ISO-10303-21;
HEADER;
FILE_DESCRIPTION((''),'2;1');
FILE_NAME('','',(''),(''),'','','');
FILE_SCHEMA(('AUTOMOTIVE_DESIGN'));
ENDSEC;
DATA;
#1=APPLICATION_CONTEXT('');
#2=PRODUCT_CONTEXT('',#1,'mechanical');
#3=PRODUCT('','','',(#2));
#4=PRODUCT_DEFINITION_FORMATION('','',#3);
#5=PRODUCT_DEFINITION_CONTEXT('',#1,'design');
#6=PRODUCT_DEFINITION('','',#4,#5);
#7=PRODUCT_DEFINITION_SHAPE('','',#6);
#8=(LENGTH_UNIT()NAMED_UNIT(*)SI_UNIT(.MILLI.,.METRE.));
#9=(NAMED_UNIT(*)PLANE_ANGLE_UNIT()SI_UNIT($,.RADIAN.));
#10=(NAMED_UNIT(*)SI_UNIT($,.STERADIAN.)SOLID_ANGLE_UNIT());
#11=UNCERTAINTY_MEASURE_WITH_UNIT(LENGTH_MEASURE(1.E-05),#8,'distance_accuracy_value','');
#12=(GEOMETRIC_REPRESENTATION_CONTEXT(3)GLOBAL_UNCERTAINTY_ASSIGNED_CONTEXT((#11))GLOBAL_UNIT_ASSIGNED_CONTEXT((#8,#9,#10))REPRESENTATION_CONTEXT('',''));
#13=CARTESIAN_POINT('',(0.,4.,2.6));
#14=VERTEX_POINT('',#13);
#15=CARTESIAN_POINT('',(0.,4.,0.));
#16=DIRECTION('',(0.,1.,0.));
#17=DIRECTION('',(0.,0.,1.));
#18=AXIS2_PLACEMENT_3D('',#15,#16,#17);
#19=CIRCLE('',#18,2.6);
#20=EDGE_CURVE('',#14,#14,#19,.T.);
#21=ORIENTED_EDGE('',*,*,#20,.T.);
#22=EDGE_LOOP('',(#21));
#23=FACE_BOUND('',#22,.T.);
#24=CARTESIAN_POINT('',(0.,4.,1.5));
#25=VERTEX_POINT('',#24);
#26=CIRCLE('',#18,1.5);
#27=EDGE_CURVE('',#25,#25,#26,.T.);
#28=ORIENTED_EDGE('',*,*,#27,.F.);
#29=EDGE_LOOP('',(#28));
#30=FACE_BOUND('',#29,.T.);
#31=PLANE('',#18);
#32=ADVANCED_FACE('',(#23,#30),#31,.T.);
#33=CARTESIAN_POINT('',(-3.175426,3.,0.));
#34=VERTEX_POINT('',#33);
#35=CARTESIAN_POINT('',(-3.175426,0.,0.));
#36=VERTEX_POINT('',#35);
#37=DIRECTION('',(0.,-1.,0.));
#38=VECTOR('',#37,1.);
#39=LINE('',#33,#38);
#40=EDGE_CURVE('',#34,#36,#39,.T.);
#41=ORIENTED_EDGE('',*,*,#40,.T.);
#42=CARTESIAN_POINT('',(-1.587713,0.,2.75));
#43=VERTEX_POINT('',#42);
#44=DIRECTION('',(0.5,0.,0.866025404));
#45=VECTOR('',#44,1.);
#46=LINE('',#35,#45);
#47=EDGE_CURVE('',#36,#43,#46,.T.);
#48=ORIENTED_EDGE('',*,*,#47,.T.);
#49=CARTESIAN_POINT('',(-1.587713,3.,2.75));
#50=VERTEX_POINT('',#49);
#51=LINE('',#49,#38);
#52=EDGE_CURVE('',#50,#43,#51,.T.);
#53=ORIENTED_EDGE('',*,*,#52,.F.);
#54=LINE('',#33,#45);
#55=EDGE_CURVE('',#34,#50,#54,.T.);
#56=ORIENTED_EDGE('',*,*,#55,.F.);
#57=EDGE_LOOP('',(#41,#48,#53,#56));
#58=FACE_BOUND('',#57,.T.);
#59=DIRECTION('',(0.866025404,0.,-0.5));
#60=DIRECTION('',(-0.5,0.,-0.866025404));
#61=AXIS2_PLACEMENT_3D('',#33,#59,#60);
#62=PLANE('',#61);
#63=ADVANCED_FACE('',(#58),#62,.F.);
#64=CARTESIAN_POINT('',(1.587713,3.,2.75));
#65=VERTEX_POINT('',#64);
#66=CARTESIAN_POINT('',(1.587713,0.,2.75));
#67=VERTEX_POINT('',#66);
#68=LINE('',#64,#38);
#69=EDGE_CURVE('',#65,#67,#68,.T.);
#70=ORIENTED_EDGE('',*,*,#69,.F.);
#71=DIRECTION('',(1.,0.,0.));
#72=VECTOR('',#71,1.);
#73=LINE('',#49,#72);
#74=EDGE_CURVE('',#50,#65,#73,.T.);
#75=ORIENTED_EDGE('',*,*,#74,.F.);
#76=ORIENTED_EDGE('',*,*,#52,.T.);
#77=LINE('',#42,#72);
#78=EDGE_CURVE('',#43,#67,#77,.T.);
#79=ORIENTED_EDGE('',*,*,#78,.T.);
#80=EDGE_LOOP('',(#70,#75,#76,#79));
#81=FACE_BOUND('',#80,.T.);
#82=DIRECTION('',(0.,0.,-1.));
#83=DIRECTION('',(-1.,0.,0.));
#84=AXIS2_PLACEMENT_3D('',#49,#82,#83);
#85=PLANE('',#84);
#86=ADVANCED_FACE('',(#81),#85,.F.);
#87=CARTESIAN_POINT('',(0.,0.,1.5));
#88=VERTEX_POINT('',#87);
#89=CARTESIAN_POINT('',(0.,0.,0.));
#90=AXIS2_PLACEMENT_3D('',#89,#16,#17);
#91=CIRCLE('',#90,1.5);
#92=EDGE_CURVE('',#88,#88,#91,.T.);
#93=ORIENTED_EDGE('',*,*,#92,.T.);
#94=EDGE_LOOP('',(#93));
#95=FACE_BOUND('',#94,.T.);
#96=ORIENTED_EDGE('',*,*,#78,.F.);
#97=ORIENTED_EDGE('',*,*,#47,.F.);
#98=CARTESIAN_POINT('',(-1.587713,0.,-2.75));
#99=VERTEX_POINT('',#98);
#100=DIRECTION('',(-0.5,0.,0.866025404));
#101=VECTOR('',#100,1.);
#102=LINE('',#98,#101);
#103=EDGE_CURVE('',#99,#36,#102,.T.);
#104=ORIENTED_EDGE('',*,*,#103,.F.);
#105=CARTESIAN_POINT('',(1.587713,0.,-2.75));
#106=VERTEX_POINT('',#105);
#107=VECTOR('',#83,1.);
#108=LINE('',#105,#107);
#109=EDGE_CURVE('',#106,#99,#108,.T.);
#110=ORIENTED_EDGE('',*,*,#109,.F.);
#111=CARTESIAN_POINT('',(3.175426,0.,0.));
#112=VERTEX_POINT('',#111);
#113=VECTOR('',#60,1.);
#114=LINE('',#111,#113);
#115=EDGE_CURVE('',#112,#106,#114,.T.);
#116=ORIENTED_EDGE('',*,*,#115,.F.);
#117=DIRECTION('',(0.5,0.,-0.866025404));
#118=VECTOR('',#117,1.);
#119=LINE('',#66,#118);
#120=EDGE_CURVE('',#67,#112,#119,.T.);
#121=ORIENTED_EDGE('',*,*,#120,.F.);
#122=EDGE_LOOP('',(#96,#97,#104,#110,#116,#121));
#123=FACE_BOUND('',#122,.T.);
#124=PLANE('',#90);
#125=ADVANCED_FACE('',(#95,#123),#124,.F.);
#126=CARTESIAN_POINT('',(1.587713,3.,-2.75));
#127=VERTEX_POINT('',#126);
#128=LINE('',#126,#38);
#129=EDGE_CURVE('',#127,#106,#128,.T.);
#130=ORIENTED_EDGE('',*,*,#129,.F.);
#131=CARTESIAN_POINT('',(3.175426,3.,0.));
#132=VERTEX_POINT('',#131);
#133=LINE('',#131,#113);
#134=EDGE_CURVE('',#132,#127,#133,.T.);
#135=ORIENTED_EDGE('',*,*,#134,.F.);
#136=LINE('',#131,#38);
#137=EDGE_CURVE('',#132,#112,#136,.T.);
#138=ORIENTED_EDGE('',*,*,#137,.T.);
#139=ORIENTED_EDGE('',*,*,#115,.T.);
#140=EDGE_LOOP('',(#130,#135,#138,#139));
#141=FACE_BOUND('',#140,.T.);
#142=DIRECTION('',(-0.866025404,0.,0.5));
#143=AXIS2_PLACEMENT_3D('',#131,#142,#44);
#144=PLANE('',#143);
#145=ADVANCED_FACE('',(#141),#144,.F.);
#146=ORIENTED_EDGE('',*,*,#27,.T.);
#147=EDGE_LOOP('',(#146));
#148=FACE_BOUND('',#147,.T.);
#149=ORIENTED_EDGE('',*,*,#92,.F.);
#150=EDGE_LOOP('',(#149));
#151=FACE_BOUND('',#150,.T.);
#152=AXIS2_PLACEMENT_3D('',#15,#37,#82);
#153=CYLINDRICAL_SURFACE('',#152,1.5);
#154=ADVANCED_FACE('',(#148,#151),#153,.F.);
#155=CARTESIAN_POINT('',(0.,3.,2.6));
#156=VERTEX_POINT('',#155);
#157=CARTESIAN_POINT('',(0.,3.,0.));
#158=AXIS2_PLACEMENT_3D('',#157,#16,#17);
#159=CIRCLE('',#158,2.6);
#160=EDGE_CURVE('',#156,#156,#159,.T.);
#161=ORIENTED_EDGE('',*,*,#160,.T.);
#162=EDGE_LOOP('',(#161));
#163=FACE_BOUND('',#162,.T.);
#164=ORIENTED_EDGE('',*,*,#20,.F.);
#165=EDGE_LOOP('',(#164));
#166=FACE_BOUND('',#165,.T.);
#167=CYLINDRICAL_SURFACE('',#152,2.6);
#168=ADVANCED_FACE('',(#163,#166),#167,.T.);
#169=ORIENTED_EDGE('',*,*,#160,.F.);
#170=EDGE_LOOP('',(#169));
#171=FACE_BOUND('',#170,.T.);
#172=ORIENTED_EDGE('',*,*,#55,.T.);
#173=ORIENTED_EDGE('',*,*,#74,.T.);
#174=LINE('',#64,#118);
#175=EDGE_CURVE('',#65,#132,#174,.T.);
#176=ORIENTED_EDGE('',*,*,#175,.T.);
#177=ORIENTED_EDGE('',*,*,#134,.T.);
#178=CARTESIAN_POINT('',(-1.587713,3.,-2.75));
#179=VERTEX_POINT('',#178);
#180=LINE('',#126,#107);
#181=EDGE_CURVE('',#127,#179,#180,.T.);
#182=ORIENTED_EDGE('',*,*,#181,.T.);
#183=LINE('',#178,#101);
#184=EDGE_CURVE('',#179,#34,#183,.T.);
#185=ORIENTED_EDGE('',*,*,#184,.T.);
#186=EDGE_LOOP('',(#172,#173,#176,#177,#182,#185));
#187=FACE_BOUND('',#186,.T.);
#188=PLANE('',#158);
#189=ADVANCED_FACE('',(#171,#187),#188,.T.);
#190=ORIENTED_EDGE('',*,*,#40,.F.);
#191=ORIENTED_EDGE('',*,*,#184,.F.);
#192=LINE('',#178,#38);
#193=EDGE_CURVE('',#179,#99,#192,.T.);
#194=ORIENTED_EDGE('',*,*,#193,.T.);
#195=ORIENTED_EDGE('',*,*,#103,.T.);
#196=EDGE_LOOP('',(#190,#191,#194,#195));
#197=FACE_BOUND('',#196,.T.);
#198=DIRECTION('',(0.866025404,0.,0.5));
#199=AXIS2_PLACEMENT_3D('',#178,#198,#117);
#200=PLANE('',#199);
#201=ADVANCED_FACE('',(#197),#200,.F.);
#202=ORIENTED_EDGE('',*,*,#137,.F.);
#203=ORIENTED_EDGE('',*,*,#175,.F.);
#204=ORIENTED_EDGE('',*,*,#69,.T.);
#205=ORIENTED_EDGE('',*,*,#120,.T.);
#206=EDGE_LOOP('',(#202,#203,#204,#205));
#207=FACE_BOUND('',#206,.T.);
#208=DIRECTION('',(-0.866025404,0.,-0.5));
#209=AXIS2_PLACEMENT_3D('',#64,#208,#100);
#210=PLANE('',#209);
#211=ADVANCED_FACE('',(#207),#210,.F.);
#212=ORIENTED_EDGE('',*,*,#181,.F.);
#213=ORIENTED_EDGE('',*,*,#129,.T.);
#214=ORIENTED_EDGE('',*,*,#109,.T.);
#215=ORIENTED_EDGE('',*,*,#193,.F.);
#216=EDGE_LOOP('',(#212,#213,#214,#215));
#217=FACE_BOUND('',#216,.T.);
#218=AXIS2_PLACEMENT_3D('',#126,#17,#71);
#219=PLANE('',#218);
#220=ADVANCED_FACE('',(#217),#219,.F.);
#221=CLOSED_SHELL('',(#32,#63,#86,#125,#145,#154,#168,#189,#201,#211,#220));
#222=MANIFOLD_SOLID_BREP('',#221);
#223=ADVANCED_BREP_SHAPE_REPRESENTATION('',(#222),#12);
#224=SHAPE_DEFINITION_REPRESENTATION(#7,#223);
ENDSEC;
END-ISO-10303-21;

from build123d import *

# Parameters (mm, degrees)
BOSS_EXTRU_1_DEPTH      = 3
BOSS_EXTRU_2_START      = 3
ESQUISSE2_R             = 2.6
ESQUISSE2_R_2           = 1.5
BOSS_EXTRU_2_DEPTH      = 1
ESQUISSE3_R             = 1.5
ENL_V_MAT_EXTRU_1_DEPTH = 6.800502852


with BuildPart() as part:
    # Esquisse1 → Boss.-Extru.1 (new body)
    with BuildSketch(Plane(origin=(0, 0, 0), x_dir=(1, 0, 0), z_dir=(0, 1, 0))):
        Polygon((3.175426481, 0), (1.58771324, 2.75), (-1.58771324, 2.75), (-3.175426481, 0), (-1.58771324, -2.75), (1.58771324, -2.75), align=None)
    extrude(amount=BOSS_EXTRU_1_DEPTH)

    # Esquisse2 → Boss.-Extru.2 (add)
    with BuildSketch(Plane(origin=(0, 0, 0), x_dir=(1, 0, 0), z_dir=(0, 1, 0)).offset(BOSS_EXTRU_2_START)):
        with Locations(Location((0, 0, 0), (0, 0, 270))):
            Circle(ESQUISSE2_R)
        with Locations(Location((0, 0, 0), (0, 0, 270))):
            Circle(ESQUISSE2_R_2, mode=Mode.SUBTRACT)
    extrude(amount=BOSS_EXTRU_2_DEPTH)

    # Esquisse3 → Enlèv. mat.-Extru.1 (cut, through all)
    with BuildSketch(Plane(origin=(0, 0, 0), x_dir=(1, 0, 0), z_dir=(0, 1, 0))):
        with Locations(Location((0, 0, 0), (0, 0, 270))):
            Circle(ESQUISSE3_R)
    extrude(amount=ENL_V_MAT_EXTRU_1_DEPTH, mode=Mode.SUBTRACT)


solid = part.part
